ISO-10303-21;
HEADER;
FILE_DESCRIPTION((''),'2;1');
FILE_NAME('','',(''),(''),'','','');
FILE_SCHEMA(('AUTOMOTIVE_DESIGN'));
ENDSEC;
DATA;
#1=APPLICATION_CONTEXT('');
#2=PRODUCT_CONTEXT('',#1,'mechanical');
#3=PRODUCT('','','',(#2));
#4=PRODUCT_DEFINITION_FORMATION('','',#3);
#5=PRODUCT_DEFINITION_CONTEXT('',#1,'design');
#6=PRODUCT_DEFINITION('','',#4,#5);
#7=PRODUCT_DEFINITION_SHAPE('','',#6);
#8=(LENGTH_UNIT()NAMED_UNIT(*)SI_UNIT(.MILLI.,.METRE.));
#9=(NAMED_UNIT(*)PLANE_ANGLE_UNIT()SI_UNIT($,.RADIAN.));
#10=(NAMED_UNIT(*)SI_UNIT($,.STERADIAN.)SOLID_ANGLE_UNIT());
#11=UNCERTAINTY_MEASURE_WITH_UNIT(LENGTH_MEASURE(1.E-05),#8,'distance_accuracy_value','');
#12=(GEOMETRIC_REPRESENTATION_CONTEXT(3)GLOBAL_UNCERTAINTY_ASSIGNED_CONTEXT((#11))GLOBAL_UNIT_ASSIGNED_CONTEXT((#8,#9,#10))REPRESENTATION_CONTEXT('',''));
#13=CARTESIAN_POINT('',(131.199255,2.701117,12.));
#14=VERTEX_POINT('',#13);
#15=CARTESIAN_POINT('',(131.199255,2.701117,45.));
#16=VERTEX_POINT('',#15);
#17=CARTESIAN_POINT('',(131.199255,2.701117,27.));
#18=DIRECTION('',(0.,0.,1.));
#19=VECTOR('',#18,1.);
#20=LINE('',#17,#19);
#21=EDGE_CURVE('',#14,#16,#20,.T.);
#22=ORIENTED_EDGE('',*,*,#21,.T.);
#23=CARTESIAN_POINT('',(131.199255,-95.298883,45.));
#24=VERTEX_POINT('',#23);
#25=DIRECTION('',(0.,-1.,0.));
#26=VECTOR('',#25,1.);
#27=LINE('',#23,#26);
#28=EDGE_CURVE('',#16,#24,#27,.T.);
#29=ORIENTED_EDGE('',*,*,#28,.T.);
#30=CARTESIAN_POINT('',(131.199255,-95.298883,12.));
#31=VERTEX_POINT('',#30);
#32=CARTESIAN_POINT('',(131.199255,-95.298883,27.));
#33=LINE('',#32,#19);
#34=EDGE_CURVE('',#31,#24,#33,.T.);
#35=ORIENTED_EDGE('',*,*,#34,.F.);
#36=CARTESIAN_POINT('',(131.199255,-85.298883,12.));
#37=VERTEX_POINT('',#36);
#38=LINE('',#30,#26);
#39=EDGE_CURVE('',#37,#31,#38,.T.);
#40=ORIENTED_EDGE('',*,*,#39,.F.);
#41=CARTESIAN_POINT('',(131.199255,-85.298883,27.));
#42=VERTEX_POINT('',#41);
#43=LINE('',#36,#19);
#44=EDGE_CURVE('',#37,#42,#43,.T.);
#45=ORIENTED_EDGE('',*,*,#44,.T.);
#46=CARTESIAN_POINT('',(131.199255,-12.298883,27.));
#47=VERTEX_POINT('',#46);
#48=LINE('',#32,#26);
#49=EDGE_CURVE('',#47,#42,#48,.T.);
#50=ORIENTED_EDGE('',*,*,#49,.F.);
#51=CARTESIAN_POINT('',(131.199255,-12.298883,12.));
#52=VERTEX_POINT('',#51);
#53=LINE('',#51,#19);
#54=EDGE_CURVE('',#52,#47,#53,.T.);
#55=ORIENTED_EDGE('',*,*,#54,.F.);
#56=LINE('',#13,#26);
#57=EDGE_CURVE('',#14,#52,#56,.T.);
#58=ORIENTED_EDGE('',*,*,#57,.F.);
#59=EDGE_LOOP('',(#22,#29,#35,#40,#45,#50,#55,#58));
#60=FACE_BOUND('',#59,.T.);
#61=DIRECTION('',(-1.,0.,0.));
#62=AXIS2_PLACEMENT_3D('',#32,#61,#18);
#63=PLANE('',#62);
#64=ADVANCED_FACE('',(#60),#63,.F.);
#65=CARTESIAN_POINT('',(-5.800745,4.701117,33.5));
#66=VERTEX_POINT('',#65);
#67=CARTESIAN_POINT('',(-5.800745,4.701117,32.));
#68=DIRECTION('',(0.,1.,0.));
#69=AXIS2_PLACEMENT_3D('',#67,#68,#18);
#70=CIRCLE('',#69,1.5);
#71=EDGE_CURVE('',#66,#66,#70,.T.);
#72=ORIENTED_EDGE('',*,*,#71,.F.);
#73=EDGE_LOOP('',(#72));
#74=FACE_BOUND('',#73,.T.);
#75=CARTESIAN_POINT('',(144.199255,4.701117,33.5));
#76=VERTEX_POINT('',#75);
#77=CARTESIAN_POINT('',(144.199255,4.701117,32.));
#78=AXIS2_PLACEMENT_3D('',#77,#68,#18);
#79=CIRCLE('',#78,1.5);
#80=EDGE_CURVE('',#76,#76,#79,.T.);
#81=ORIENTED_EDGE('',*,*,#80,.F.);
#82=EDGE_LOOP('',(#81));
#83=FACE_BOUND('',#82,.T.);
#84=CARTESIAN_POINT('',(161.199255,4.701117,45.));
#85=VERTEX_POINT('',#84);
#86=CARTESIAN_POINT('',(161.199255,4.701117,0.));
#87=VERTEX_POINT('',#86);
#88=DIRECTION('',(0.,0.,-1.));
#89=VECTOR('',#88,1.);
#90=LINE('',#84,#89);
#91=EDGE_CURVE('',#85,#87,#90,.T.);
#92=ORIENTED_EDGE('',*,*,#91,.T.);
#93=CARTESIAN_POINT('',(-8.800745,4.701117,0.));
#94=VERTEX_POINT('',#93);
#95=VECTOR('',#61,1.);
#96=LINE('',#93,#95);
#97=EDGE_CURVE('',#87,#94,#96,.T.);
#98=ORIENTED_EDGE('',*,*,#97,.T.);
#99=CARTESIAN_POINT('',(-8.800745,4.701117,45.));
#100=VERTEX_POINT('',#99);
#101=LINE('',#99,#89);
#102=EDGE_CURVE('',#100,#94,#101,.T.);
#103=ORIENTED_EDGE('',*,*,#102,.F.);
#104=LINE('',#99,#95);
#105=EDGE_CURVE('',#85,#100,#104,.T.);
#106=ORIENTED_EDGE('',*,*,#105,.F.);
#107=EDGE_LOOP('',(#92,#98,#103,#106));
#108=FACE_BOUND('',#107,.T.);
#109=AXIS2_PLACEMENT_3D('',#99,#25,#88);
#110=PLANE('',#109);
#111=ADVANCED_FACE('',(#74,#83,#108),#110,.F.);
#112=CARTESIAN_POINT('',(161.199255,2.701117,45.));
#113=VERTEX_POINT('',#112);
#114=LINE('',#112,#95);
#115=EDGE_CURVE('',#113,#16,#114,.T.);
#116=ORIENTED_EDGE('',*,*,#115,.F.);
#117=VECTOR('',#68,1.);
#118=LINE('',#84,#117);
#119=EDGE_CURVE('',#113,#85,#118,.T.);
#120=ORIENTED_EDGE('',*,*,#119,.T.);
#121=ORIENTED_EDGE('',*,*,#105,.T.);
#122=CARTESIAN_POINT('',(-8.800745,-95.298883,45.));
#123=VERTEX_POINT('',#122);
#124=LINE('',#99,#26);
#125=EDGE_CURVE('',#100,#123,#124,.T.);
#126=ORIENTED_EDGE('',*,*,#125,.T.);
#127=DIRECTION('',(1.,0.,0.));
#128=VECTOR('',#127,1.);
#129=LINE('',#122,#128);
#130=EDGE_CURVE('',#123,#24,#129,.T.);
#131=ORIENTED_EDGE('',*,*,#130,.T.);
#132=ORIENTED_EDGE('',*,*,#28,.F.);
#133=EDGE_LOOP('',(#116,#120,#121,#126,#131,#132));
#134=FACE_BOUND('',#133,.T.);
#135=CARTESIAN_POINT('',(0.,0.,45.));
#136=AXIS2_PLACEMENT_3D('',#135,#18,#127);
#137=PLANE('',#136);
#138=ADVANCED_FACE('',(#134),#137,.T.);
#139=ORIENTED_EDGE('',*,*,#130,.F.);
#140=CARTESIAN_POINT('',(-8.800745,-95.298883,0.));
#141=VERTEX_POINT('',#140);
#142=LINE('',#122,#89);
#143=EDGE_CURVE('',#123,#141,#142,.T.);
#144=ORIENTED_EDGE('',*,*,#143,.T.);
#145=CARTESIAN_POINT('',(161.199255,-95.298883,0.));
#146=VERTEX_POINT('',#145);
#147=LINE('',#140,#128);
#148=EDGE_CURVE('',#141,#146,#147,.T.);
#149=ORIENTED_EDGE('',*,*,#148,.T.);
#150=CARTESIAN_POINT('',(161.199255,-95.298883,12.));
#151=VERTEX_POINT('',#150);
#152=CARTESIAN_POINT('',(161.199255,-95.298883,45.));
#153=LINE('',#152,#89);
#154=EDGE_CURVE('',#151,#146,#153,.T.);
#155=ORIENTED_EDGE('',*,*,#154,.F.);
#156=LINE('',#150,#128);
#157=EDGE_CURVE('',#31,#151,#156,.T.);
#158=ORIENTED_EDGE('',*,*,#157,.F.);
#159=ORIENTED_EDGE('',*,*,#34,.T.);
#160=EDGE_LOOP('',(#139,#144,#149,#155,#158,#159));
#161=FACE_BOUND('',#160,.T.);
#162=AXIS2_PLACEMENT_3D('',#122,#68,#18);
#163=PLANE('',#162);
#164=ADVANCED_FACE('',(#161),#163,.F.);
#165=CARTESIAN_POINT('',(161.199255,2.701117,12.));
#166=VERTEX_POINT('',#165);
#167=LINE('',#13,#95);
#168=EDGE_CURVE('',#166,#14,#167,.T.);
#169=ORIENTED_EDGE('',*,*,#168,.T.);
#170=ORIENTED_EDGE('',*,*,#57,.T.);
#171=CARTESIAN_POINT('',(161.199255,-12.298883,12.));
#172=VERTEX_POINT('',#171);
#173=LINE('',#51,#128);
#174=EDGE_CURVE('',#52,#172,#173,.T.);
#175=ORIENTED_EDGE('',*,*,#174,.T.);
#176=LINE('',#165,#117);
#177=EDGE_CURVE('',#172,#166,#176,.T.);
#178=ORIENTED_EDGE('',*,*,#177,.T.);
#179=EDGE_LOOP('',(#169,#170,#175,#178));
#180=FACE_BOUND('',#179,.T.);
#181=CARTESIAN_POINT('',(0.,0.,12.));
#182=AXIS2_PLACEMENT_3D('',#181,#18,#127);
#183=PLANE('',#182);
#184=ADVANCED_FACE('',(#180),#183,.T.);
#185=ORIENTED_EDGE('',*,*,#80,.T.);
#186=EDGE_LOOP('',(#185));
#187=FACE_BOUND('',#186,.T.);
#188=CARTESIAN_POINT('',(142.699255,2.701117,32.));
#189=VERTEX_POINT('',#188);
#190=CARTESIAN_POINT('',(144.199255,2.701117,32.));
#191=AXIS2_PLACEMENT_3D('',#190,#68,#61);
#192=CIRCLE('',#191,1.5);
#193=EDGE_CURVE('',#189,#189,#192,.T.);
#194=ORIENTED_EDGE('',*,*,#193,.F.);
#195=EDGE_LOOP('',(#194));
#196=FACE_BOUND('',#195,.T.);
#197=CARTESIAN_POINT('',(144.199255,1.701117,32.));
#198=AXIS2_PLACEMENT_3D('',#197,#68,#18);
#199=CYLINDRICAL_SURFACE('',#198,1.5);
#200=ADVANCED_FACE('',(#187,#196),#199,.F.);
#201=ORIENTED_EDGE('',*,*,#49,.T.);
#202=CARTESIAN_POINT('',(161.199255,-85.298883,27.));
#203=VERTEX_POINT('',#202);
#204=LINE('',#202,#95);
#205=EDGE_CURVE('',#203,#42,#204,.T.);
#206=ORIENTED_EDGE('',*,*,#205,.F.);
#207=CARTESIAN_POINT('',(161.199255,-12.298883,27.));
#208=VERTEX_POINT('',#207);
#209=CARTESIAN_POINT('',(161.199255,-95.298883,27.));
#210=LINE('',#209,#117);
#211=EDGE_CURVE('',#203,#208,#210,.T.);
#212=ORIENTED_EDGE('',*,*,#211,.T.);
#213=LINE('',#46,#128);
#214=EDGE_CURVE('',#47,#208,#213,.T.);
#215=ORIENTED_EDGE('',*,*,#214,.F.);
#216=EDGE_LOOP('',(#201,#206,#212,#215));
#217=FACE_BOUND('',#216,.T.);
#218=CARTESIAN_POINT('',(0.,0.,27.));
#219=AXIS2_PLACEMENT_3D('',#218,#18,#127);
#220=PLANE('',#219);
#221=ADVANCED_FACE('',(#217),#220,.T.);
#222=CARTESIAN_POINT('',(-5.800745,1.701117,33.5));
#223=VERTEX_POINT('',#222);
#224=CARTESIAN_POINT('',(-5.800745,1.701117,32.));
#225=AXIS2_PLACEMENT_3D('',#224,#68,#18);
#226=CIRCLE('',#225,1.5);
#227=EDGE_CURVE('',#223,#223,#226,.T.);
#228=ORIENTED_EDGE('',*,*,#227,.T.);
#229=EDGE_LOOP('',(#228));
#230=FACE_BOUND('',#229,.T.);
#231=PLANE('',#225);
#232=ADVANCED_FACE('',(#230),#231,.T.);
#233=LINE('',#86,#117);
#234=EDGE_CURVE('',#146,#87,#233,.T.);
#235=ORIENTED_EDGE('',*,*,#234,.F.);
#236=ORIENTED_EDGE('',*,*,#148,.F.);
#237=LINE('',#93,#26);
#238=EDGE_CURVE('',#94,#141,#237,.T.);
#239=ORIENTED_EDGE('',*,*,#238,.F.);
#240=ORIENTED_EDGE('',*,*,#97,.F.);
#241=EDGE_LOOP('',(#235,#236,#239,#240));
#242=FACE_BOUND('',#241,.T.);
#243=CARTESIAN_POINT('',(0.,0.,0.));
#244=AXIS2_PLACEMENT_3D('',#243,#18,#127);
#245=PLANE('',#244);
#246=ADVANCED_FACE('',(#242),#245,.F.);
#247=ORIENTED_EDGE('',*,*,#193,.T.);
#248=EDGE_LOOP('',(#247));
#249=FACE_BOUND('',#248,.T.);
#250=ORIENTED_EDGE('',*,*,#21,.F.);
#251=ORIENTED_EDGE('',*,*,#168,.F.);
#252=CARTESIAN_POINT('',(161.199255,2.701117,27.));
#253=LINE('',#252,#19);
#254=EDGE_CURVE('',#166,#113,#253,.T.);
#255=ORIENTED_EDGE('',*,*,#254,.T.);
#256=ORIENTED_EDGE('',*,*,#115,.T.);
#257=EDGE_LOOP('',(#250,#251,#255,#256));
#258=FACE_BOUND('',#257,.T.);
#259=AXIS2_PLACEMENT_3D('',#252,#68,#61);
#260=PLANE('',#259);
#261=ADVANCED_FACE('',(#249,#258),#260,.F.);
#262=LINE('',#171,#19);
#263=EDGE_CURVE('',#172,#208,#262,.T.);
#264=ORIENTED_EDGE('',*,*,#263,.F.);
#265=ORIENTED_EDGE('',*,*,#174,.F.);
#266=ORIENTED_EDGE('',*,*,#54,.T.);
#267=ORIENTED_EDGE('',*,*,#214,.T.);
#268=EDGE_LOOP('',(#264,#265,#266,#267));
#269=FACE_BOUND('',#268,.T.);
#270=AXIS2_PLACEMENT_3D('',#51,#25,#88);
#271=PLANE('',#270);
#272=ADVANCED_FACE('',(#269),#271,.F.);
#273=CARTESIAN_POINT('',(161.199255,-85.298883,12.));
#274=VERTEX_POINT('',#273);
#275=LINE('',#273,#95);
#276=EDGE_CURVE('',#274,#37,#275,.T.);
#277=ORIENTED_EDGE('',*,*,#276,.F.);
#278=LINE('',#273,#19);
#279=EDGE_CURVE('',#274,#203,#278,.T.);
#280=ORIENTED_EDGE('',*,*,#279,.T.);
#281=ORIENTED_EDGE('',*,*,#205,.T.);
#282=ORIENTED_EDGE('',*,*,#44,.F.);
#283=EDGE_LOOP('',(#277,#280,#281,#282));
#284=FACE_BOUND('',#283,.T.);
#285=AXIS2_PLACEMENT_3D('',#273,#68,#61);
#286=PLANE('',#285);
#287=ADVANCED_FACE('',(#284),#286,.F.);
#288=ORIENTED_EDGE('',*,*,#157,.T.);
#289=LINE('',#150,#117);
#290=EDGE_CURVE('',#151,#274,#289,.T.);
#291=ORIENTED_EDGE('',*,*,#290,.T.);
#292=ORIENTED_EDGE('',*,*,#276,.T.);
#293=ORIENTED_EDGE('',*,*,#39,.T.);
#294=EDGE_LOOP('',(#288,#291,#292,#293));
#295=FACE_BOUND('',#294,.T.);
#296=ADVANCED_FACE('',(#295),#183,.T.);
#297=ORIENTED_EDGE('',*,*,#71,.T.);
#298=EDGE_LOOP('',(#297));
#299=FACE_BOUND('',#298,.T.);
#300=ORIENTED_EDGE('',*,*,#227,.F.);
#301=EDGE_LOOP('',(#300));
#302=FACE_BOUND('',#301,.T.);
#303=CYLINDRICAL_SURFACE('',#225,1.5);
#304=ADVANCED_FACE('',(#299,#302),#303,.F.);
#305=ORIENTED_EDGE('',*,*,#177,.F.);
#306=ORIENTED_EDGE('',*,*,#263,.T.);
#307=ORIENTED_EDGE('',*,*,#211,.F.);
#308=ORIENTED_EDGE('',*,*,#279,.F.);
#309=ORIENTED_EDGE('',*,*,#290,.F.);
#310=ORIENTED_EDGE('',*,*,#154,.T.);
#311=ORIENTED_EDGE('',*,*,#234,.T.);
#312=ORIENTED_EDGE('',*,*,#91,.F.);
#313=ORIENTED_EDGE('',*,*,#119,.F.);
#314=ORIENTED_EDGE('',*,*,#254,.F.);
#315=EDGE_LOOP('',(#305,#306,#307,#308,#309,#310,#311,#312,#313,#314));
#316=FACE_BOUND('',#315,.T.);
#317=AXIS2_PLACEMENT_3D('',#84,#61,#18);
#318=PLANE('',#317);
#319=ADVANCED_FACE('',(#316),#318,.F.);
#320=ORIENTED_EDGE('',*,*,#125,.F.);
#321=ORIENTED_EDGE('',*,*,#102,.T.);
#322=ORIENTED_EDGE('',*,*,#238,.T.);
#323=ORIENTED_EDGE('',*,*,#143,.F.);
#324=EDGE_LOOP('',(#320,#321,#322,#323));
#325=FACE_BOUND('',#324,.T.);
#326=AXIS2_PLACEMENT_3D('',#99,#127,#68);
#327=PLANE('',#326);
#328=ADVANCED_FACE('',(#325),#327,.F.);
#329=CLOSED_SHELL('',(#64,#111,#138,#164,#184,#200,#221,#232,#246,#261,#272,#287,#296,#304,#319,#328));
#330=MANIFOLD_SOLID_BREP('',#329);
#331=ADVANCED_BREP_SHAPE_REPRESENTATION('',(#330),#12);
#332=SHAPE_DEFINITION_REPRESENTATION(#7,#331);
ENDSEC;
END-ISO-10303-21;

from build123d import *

# Parameters (mm, degrees)
SKETCH1_W           = 170
SKETCH1_H           = 100
BOSS_EXTRUDE1_DEPTH = 45
SKETCH3_W           = 30
SKETCH3_H           = 98
CUT_EXTRUDE2_DEPTH  = 18
SKETCH4_W           = 30
SKETCH4_H           = 10
SKETCH4_H_2         = 15
CUT_EXTRUDE3_DEPTH  = 15
SKETCH5_R           = 1.5
CUT_EXTRUDE4_DEPTH  = 3


with BuildPart() as part:
    # Sketch1 → Boss-Extrude1 (new body)
    with BuildSketch(Plane.XY):
        with Locations((76.199255121, -45.298882682)):
            Rectangle(SKETCH1_W, SKETCH1_H)
    extrude(amount=BOSS_EXTRUDE1_DEPTH)

    # Sketch3 → Cut-Extrude2 (cut)
    with BuildSketch(Plane.XY.offset(45)):
        with Locations((146.199255121, -46.298882682)):
            Rectangle(SKETCH3_W, SKETCH3_H)
    extrude(amount=-CUT_EXTRUDE2_DEPTH, mode=Mode.SUBTRACT)

    # Sketch4 → Cut-Extrude3 (cut)
    with BuildSketch(Plane.XY.offset(27)):
        with Locations((146.199255121, -90.298882682)):
            Rectangle(SKETCH4_W, SKETCH4_H)
        with Locations((146.199255121, -4.798882682)):
            Rectangle(SKETCH4_W, SKETCH4_H_2)
    extrude(amount=-CUT_EXTRUDE3_DEPTH, mode=Mode.SUBTRACT)

    # Sketch5 → Cut-Extrude4 (cut)
    with BuildSketch(Plane(origin=(0, 4.701117318, 0), x_dir=(1, 0, 0), z_dir=(0, 1, 0))):
        with Locations(Location((-5.800744879, -32, 0), (0, 0, 270))):
            Circle(SKETCH5_R)
        with Locations(Location((144.199255121, -32, 0), (0, 0, 270))):
            Circle(SKETCH5_R)
    extrude(amount=-CUT_EXTRUDE4_DEPTH, mode=Mode.SUBTRACT)


solid = part.part
